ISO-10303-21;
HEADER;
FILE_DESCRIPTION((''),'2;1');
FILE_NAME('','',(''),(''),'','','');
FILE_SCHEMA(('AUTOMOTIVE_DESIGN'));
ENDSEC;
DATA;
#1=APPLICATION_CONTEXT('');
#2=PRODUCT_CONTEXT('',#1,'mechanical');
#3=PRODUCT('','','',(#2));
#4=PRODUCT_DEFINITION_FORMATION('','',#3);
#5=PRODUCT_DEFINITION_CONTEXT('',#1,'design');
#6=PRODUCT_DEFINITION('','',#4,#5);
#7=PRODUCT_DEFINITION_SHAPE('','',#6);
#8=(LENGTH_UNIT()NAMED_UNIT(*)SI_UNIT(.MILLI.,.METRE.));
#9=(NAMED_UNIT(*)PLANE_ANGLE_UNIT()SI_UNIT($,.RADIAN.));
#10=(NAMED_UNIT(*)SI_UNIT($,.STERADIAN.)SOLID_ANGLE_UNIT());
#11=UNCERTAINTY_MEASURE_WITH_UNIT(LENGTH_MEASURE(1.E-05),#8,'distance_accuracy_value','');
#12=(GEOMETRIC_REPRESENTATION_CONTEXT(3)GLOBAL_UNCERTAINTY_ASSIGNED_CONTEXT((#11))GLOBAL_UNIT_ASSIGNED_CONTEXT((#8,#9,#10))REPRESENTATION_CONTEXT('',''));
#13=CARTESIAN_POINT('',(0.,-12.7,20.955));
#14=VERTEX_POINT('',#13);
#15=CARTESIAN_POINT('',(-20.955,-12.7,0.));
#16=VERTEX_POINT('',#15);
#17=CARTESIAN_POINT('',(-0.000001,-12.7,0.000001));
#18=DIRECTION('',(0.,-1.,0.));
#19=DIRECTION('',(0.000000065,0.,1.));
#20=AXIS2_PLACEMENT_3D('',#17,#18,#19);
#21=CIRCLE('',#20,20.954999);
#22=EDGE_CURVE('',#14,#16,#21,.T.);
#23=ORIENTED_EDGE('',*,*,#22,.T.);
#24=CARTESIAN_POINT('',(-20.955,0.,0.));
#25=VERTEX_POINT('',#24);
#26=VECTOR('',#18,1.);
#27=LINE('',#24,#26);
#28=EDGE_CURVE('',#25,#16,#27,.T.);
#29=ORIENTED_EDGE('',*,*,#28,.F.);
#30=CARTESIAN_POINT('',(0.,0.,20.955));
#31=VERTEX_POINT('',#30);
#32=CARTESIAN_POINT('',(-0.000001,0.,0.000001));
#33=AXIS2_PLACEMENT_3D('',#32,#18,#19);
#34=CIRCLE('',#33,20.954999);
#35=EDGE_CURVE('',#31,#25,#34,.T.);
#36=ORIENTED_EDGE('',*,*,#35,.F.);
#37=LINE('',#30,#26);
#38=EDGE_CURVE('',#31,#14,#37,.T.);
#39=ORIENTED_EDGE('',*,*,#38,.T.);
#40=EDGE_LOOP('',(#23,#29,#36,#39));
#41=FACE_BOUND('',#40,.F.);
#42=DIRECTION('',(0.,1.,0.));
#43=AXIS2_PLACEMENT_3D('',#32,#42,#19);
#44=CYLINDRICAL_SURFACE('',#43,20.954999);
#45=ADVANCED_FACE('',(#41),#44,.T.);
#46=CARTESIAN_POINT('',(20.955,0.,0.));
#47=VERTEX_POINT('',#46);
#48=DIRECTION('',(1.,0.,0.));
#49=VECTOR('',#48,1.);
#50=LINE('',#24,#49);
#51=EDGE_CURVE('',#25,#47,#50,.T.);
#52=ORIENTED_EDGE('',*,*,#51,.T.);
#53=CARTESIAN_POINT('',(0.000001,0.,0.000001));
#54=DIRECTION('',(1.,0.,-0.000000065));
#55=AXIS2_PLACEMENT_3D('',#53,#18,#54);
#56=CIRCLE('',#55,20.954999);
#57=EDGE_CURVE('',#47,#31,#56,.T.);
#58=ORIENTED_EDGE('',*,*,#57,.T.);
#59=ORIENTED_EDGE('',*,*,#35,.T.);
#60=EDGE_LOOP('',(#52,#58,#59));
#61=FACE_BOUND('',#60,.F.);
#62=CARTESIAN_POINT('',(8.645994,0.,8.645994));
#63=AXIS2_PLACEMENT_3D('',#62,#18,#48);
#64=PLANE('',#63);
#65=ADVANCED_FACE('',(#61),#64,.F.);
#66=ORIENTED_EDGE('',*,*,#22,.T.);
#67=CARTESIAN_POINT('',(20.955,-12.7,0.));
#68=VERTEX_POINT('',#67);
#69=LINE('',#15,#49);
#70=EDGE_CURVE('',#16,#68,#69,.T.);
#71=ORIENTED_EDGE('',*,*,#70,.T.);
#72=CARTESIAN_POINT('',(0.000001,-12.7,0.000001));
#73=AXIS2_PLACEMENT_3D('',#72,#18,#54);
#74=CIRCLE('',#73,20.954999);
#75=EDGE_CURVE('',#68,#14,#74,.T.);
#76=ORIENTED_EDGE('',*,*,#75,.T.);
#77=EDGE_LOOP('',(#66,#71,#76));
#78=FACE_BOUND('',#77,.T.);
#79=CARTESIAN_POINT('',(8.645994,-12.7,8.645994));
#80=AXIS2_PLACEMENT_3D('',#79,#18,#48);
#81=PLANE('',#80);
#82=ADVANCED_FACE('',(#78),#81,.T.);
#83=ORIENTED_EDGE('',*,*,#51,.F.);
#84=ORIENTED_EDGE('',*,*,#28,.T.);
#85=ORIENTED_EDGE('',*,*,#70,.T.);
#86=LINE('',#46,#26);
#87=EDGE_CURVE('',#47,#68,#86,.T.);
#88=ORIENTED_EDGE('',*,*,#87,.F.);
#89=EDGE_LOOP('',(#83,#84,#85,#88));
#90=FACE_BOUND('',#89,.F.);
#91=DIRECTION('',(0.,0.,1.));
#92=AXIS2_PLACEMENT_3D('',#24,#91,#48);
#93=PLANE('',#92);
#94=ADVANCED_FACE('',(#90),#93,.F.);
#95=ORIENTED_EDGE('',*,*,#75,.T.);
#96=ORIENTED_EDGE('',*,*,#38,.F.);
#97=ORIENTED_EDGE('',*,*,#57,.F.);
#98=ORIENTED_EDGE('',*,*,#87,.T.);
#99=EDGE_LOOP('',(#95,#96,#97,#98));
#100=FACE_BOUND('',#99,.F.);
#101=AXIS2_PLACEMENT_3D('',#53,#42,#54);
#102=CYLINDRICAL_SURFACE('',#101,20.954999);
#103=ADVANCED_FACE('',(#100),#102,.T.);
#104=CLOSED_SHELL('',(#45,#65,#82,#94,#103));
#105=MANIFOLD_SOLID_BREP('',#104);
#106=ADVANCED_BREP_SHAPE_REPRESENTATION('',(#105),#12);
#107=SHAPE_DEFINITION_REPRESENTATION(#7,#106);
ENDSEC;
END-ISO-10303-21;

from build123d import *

# Parameters (mm, degrees)
F1_DEPTH = 12.7


with BuildPart() as f1:
    # F0 (on Front) → F1 (new body)
    with BuildSketch(Plane.XZ):
        with BuildLine():
            Line((0, 20.955), (0, 0))
            Line((0, 0), (20.955, 0))
            ThreePointArc((20.955, 0), (14.817423, 14.817423), (0, 20.955))
        make_face()
        with BuildLine():
            Line((-20.955, 0), (0, 0))
            Line((0, 0), (0, 20.955))
            ThreePointArc((0, 20.955), (-14.817423, 14.817423), (-20.955, 0))
        make_face()
    extrude(amount=F1_DEPTH)


solid = f1.part
